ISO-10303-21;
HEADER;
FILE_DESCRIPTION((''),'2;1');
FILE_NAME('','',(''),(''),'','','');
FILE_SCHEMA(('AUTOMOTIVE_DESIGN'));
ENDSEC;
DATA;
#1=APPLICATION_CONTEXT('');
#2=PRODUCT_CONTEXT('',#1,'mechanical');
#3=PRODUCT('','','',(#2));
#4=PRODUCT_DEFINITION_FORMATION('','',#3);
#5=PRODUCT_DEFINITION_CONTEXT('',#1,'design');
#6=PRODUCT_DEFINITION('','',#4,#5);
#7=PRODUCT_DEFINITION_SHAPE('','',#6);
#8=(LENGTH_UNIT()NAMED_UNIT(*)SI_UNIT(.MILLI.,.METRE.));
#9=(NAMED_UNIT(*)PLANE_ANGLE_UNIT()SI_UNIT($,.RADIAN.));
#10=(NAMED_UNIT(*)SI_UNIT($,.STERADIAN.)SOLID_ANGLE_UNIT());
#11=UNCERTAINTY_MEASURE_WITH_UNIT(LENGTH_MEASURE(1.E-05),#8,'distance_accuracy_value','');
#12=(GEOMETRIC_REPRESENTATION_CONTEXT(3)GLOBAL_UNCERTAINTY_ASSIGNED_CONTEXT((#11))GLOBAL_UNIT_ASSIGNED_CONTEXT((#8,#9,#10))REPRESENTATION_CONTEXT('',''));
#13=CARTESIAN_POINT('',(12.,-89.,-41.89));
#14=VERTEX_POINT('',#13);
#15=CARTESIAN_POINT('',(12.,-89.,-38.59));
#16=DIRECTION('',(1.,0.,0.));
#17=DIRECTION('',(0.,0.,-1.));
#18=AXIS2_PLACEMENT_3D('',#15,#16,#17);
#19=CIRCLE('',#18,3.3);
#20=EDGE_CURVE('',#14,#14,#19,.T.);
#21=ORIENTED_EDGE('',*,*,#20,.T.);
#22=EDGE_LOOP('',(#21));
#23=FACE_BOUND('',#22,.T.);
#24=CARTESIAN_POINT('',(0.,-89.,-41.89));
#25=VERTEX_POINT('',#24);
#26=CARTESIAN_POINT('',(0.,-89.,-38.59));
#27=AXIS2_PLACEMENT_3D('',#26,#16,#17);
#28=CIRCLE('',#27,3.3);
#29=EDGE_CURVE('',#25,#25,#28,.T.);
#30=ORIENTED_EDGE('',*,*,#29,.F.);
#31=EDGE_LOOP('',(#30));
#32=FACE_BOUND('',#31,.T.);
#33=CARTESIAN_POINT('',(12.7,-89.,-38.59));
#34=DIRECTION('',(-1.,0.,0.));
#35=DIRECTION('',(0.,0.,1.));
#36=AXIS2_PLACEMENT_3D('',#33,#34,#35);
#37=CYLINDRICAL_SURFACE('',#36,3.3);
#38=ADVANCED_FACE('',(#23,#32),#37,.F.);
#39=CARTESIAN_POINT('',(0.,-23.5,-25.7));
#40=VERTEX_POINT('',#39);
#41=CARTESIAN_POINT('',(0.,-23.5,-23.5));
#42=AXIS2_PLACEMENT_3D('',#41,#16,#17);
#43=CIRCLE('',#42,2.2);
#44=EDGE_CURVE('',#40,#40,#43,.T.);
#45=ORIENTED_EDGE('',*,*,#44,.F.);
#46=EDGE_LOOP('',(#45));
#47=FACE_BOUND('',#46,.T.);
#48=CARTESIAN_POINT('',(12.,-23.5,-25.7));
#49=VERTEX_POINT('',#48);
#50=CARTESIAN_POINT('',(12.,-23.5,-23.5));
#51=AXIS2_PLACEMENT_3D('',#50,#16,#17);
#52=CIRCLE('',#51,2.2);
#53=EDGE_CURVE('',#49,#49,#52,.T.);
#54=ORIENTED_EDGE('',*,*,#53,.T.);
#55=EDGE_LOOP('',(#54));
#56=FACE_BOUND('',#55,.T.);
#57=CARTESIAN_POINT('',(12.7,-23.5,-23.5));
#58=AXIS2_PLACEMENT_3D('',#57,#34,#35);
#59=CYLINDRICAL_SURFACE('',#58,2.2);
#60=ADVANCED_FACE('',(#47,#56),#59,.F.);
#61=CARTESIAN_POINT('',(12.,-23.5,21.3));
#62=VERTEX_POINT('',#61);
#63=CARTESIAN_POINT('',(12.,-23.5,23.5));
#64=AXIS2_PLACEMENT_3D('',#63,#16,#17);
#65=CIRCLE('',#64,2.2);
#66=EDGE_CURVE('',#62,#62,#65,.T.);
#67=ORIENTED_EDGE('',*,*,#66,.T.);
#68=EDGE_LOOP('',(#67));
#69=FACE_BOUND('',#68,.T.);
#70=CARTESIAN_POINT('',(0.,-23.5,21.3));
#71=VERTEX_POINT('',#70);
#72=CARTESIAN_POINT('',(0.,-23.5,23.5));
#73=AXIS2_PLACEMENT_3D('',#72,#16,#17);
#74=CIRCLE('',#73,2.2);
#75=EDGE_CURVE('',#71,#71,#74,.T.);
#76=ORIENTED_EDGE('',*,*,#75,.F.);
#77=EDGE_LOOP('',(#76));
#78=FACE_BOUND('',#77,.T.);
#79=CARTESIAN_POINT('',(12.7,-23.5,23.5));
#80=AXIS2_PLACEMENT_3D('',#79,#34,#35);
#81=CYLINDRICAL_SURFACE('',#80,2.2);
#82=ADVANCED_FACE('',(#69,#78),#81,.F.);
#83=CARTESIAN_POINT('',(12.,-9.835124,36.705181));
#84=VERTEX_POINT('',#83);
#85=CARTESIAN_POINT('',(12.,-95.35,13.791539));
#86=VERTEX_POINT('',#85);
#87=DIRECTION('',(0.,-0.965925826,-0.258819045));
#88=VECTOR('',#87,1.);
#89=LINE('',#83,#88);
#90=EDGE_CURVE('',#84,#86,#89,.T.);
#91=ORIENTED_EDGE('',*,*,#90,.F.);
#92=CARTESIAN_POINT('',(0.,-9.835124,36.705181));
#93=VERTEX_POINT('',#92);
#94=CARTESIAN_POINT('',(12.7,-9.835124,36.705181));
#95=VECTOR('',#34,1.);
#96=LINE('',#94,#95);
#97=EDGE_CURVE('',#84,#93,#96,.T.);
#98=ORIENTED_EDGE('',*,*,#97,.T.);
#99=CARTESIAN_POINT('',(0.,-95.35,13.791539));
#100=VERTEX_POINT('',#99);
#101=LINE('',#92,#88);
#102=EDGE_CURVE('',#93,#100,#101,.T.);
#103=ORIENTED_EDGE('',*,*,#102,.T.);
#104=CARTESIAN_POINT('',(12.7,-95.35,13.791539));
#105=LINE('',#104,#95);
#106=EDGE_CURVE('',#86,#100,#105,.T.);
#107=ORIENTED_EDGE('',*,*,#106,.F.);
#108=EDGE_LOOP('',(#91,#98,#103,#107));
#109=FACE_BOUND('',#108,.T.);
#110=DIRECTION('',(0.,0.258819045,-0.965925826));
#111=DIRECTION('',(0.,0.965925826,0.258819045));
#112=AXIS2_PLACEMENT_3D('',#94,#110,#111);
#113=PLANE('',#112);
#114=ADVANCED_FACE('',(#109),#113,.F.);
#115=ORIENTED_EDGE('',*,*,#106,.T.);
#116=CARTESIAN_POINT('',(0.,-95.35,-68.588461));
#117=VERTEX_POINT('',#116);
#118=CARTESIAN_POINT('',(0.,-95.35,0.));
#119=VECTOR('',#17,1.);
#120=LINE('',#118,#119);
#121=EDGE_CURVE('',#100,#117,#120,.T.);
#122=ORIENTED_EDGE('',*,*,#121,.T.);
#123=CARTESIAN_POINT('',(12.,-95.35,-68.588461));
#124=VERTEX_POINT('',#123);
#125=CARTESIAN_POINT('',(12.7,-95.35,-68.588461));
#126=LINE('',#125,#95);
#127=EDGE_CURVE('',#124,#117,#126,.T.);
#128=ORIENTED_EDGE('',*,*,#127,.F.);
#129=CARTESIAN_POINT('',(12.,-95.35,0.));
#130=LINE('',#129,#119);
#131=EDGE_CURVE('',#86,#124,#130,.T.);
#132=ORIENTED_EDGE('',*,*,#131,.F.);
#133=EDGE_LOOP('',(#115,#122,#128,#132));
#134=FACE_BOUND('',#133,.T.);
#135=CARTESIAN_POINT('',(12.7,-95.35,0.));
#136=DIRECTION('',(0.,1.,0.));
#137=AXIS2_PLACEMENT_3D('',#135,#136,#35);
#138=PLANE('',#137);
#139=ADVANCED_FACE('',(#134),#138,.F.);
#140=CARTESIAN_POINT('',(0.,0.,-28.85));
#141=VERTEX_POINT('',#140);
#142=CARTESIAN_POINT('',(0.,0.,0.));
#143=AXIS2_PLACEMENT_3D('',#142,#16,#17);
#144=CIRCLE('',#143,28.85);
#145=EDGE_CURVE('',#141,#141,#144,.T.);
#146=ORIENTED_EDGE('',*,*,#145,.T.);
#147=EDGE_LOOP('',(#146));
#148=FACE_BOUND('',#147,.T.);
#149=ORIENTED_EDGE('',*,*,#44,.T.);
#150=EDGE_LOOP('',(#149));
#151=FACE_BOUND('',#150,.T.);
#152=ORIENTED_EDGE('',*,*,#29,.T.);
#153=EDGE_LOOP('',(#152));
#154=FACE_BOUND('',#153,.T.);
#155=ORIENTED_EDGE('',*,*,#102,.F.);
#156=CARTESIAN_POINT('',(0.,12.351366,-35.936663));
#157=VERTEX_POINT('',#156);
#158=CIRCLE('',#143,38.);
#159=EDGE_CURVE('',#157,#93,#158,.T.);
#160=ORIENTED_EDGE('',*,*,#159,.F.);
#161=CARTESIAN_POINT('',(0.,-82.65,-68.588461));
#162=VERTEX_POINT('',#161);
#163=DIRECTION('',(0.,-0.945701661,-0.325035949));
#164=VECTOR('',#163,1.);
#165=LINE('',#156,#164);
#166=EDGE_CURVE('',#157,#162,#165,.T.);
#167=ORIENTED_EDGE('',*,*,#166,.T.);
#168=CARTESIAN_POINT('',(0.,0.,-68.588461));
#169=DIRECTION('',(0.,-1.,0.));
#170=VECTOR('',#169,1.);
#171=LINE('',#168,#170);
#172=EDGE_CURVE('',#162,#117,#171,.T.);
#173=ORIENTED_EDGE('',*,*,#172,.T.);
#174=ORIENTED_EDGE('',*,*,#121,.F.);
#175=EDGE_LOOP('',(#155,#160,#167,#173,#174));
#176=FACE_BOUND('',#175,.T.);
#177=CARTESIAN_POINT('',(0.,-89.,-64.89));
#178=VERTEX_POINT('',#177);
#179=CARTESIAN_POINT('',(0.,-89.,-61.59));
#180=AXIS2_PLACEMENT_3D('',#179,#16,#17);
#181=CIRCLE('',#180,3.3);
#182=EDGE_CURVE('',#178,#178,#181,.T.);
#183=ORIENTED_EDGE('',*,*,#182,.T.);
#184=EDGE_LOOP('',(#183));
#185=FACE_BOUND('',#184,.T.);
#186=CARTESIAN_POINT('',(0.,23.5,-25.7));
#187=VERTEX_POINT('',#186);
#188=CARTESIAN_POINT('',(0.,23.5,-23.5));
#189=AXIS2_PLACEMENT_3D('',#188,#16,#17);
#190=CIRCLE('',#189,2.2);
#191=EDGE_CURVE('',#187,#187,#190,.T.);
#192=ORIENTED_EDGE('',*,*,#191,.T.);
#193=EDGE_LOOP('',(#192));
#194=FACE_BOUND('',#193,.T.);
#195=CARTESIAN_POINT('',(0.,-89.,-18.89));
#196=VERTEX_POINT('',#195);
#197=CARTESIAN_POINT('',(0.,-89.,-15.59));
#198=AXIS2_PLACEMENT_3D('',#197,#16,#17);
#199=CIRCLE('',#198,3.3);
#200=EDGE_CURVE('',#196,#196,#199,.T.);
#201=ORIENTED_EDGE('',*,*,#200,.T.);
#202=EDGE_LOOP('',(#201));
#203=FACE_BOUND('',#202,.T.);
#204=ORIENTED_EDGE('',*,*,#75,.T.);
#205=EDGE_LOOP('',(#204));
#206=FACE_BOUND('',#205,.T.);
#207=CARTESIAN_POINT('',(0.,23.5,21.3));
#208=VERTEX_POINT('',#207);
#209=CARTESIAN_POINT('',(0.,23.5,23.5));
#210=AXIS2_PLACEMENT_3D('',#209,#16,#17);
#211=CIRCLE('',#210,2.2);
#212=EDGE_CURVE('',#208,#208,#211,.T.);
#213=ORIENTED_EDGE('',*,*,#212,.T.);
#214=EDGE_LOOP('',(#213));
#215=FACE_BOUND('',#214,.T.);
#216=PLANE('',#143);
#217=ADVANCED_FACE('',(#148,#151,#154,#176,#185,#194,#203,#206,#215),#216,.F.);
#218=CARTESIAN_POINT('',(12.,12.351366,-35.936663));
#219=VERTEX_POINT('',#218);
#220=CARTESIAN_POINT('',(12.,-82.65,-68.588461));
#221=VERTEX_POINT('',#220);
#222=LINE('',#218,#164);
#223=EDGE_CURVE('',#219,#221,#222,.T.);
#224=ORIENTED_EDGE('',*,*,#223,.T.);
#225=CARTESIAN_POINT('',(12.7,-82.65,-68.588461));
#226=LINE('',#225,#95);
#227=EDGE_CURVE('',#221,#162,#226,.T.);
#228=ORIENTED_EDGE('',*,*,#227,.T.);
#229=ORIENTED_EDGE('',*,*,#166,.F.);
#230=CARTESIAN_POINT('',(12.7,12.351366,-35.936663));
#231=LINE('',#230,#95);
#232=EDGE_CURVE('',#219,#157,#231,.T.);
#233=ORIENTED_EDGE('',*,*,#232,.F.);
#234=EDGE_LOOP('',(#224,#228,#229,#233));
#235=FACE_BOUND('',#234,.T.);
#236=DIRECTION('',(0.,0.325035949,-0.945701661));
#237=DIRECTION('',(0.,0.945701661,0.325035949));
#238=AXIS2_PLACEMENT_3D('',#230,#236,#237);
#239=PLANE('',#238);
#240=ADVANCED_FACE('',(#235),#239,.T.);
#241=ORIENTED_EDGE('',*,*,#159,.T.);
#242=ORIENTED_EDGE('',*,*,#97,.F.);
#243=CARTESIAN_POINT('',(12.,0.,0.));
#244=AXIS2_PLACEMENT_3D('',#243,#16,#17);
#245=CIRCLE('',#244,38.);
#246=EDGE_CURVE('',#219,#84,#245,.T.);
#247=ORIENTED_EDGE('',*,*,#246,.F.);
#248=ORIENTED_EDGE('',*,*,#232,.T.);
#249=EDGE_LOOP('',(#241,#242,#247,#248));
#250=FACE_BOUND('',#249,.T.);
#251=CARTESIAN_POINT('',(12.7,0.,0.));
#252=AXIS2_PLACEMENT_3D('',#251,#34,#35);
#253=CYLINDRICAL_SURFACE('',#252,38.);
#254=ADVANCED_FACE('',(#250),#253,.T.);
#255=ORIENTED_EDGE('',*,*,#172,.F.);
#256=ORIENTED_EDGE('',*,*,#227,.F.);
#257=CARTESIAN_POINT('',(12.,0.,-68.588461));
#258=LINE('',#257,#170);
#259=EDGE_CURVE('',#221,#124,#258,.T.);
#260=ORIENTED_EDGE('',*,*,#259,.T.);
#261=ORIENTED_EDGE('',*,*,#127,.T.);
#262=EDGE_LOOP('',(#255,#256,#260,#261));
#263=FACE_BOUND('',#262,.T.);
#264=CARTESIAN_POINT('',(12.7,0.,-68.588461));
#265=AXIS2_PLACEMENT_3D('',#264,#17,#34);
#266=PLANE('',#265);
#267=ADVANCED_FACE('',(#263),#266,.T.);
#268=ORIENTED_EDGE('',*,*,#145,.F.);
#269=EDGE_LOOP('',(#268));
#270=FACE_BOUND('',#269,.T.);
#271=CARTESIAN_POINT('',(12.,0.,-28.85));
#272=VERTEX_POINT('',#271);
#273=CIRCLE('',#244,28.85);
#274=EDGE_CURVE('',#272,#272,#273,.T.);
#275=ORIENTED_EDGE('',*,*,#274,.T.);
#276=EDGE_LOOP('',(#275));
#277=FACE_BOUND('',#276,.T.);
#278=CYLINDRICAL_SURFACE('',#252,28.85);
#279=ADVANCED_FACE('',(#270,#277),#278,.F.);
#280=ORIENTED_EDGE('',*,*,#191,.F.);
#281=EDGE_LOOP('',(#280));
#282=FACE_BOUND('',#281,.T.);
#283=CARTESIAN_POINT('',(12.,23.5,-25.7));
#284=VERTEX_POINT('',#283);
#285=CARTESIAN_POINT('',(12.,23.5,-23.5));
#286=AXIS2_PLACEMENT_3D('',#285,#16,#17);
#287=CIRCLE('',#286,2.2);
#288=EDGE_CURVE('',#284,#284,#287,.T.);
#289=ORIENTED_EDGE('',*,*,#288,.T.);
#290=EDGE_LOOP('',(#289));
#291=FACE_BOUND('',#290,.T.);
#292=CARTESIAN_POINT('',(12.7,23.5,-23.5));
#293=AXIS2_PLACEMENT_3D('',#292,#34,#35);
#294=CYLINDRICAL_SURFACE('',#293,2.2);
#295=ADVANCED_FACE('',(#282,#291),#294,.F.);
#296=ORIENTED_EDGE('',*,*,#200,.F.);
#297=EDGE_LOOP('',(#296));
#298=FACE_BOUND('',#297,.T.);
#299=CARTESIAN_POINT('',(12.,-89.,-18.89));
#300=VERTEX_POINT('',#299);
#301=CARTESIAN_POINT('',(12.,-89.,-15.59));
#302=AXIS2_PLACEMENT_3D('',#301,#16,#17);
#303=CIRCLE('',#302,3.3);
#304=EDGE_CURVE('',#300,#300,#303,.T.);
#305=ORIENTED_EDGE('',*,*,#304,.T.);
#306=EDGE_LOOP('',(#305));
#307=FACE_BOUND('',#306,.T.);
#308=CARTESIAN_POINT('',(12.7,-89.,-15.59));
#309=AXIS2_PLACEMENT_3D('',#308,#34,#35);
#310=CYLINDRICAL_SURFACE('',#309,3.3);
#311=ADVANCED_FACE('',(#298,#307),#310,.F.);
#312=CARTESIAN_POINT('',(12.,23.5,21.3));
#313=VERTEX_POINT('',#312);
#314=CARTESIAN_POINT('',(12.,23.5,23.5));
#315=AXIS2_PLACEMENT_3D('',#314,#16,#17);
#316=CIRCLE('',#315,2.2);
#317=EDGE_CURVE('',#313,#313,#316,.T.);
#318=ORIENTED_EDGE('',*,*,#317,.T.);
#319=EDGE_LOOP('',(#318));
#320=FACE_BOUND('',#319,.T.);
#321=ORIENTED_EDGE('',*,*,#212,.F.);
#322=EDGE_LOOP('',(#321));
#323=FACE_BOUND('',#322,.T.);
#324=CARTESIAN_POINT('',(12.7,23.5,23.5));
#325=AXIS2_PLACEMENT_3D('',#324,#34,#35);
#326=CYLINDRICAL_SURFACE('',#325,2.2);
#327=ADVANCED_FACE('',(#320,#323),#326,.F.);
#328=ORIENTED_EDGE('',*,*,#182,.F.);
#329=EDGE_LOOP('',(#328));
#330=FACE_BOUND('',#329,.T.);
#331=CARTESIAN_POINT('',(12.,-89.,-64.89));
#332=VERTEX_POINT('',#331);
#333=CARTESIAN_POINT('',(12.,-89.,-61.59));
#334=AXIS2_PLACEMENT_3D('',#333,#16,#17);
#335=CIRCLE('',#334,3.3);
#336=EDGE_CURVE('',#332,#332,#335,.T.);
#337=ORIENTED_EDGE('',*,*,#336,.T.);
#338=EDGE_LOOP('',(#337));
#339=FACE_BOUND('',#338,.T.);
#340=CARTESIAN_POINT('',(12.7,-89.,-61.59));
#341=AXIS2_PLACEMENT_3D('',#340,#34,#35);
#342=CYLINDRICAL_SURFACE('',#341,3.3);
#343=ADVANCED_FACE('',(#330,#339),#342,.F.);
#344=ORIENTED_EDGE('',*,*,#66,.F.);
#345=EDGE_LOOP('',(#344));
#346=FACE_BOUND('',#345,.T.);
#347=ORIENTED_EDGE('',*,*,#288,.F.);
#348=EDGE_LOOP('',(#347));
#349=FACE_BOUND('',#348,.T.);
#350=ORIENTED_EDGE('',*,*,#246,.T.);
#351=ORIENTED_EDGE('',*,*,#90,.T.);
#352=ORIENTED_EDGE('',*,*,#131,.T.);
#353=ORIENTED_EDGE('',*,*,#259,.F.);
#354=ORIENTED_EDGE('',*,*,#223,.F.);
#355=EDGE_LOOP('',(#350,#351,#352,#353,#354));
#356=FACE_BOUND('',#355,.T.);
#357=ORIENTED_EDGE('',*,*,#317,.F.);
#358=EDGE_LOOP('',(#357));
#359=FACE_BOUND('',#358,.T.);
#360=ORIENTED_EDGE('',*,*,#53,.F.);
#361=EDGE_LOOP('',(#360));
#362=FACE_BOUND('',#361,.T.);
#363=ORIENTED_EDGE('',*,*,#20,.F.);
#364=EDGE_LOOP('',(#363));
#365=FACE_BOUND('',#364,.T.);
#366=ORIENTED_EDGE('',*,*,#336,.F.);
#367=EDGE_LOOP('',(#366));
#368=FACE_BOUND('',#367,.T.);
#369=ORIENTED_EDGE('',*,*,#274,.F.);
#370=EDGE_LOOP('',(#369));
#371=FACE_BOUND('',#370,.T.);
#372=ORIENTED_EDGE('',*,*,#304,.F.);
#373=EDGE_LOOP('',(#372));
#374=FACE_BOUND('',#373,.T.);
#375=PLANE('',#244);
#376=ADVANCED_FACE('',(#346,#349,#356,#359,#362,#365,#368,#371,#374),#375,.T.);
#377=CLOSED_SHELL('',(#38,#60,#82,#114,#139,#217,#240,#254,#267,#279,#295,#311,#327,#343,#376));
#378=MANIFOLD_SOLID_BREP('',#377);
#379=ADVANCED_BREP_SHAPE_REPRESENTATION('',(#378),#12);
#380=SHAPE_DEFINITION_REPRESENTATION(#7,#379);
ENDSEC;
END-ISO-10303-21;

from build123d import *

# Parameters (mm, degrees)
SKETCH1_R           = 38
SKETCH1_R_2         = 2.2
SKETCH1_R_3         = 28.85
SKETCH1_R_4         = 3.3
BOSS_EXTRUDE1_DEPTH = 12.7
MOVE_FACE4_BY       = 0.7


with BuildPart() as part:
    # Sketch1 → Boss-Extrude1 (new body)
    # profile 1 of 2: a face of its own
    with BuildSketch(Plane(origin=(0, 0, 0), x_dir=(0, 0, -1), z_dir=(1, 0, 0))):
        Circle(SKETCH1_R)
        with Locations((23.5, -23.5)):
            Circle(SKETCH1_R_2, mode=Mode.SUBTRACT)
        with Locations((-23.5, -23.5)):
            Circle(SKETCH1_R_2, mode=Mode.SUBTRACT)
        with Locations((23.5, 23.5)):
            Circle(SKETCH1_R_2, mode=Mode.SUBTRACT)
        with Locations((-23.5, 23.5)):
            Circle(SKETCH1_R_2, mode=Mode.SUBTRACT)
        Circle(SKETCH1_R_3, mode=Mode.SUBTRACT)
    # profile 2 of 2: a face of its own
    with BuildSketch(Plane(origin=(0, 0, 0), x_dir=(0, 0, -1), z_dir=(1, 0, 0))):
        with BuildLine():
            ThreePointArc((38, 0), (4.959995304, -37.674904732), (-36.705181399, -9.835123714))
            Line((-36.705181399, -9.835123714), (-13.791539357, -95.35))
            Line((-13.791539357, -95.35), (68.588460643, -95.35))
            Line((68.588460643, -95.35), (68.588460643, -82.65))
            Line((68.588460643, -82.65), (35.936663125, 12.351366055))
            ThreePointArc((35.936663125, 12.351366055), (37.480616315, 6.261261903), (38, 0))
        make_face()
        with Locations((15.59, -89)):
            Circle(SKETCH1_R_4, mode=Mode.SUBTRACT)
        with Locations((38.59, -89)):
            Circle(SKETCH1_R_4, mode=Mode.SUBTRACT)
        with Locations((61.59, -89)):
            Circle(SKETCH1_R_4, mode=Mode.SUBTRACT)
    extrude(amount=BOSS_EXTRUDE1_DEPTH)

    # Move Face4: a face moved inward by 0.7
    extrude(part.faces().sort_by_distance((12.7, -45.322375042, -15.580878329))[0], amount=MOVE_FACE4_BY, dir=(-1, 0, 0), mode=Mode.SUBTRACT)


solid = part.part
